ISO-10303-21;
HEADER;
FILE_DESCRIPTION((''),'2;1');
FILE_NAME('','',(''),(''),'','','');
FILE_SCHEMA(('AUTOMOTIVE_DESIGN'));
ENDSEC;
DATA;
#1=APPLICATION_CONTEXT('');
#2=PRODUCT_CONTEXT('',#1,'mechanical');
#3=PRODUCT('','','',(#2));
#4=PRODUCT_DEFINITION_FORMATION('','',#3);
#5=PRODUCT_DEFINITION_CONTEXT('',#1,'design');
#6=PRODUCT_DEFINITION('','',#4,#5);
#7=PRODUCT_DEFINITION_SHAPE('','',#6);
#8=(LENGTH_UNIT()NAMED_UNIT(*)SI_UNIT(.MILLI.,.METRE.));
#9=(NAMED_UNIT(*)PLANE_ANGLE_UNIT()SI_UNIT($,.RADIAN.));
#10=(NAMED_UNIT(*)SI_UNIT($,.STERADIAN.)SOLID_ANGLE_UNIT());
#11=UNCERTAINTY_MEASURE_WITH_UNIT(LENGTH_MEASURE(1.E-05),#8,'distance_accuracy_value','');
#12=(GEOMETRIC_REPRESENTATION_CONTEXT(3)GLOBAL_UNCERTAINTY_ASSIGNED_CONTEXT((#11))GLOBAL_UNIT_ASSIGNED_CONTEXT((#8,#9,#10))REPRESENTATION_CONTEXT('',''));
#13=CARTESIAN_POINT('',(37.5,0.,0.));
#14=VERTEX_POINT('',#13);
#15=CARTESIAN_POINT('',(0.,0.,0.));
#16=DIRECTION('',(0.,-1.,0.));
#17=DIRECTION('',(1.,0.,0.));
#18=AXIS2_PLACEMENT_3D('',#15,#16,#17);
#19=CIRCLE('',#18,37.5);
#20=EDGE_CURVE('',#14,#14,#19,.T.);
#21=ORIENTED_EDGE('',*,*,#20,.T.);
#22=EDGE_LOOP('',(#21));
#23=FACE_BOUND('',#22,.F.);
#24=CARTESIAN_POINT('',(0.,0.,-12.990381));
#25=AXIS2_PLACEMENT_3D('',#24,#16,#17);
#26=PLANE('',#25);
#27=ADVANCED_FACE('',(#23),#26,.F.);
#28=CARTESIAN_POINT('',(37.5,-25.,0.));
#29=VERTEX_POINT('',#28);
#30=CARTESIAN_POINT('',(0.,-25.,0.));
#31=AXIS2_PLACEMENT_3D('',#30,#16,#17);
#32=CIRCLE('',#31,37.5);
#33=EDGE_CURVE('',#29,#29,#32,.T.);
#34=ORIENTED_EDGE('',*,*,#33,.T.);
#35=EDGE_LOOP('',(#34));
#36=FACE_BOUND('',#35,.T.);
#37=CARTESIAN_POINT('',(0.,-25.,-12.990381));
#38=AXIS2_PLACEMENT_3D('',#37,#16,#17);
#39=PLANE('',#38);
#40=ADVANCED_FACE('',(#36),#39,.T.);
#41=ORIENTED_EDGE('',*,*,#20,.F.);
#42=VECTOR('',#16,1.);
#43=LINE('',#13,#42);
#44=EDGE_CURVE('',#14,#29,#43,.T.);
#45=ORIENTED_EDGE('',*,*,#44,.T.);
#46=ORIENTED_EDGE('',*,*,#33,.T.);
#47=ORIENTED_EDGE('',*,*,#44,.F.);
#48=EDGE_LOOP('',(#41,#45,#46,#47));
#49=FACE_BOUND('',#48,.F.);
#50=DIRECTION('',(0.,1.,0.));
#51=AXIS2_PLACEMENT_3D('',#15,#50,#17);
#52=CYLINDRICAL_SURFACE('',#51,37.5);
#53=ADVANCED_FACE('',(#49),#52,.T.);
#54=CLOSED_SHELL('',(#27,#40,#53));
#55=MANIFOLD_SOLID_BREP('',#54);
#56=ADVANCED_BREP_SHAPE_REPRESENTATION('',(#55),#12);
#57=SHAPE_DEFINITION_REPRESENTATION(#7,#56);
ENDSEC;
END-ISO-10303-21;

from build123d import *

# Parameters (mm, degrees)
F1_DEPTH = 25


with BuildPart() as f1:
    # F0 (on Front) → F1 (new body)
    with BuildSketch(Plane.XZ):
        with BuildLine():
            ThreePointArc((-37.5, 0), (0, -37.5), (37.5, 0))
            Line((37.5, 0), (-37.5, 0))
        make_face()
        with BuildLine():
            Line((-37.5, 0), (37.5, 0))
            ThreePointArc((37.5, 0), (0, 37.5), (-37.5, 0))
        make_face()
    extrude(amount=F1_DEPTH)


solid = f1.part
